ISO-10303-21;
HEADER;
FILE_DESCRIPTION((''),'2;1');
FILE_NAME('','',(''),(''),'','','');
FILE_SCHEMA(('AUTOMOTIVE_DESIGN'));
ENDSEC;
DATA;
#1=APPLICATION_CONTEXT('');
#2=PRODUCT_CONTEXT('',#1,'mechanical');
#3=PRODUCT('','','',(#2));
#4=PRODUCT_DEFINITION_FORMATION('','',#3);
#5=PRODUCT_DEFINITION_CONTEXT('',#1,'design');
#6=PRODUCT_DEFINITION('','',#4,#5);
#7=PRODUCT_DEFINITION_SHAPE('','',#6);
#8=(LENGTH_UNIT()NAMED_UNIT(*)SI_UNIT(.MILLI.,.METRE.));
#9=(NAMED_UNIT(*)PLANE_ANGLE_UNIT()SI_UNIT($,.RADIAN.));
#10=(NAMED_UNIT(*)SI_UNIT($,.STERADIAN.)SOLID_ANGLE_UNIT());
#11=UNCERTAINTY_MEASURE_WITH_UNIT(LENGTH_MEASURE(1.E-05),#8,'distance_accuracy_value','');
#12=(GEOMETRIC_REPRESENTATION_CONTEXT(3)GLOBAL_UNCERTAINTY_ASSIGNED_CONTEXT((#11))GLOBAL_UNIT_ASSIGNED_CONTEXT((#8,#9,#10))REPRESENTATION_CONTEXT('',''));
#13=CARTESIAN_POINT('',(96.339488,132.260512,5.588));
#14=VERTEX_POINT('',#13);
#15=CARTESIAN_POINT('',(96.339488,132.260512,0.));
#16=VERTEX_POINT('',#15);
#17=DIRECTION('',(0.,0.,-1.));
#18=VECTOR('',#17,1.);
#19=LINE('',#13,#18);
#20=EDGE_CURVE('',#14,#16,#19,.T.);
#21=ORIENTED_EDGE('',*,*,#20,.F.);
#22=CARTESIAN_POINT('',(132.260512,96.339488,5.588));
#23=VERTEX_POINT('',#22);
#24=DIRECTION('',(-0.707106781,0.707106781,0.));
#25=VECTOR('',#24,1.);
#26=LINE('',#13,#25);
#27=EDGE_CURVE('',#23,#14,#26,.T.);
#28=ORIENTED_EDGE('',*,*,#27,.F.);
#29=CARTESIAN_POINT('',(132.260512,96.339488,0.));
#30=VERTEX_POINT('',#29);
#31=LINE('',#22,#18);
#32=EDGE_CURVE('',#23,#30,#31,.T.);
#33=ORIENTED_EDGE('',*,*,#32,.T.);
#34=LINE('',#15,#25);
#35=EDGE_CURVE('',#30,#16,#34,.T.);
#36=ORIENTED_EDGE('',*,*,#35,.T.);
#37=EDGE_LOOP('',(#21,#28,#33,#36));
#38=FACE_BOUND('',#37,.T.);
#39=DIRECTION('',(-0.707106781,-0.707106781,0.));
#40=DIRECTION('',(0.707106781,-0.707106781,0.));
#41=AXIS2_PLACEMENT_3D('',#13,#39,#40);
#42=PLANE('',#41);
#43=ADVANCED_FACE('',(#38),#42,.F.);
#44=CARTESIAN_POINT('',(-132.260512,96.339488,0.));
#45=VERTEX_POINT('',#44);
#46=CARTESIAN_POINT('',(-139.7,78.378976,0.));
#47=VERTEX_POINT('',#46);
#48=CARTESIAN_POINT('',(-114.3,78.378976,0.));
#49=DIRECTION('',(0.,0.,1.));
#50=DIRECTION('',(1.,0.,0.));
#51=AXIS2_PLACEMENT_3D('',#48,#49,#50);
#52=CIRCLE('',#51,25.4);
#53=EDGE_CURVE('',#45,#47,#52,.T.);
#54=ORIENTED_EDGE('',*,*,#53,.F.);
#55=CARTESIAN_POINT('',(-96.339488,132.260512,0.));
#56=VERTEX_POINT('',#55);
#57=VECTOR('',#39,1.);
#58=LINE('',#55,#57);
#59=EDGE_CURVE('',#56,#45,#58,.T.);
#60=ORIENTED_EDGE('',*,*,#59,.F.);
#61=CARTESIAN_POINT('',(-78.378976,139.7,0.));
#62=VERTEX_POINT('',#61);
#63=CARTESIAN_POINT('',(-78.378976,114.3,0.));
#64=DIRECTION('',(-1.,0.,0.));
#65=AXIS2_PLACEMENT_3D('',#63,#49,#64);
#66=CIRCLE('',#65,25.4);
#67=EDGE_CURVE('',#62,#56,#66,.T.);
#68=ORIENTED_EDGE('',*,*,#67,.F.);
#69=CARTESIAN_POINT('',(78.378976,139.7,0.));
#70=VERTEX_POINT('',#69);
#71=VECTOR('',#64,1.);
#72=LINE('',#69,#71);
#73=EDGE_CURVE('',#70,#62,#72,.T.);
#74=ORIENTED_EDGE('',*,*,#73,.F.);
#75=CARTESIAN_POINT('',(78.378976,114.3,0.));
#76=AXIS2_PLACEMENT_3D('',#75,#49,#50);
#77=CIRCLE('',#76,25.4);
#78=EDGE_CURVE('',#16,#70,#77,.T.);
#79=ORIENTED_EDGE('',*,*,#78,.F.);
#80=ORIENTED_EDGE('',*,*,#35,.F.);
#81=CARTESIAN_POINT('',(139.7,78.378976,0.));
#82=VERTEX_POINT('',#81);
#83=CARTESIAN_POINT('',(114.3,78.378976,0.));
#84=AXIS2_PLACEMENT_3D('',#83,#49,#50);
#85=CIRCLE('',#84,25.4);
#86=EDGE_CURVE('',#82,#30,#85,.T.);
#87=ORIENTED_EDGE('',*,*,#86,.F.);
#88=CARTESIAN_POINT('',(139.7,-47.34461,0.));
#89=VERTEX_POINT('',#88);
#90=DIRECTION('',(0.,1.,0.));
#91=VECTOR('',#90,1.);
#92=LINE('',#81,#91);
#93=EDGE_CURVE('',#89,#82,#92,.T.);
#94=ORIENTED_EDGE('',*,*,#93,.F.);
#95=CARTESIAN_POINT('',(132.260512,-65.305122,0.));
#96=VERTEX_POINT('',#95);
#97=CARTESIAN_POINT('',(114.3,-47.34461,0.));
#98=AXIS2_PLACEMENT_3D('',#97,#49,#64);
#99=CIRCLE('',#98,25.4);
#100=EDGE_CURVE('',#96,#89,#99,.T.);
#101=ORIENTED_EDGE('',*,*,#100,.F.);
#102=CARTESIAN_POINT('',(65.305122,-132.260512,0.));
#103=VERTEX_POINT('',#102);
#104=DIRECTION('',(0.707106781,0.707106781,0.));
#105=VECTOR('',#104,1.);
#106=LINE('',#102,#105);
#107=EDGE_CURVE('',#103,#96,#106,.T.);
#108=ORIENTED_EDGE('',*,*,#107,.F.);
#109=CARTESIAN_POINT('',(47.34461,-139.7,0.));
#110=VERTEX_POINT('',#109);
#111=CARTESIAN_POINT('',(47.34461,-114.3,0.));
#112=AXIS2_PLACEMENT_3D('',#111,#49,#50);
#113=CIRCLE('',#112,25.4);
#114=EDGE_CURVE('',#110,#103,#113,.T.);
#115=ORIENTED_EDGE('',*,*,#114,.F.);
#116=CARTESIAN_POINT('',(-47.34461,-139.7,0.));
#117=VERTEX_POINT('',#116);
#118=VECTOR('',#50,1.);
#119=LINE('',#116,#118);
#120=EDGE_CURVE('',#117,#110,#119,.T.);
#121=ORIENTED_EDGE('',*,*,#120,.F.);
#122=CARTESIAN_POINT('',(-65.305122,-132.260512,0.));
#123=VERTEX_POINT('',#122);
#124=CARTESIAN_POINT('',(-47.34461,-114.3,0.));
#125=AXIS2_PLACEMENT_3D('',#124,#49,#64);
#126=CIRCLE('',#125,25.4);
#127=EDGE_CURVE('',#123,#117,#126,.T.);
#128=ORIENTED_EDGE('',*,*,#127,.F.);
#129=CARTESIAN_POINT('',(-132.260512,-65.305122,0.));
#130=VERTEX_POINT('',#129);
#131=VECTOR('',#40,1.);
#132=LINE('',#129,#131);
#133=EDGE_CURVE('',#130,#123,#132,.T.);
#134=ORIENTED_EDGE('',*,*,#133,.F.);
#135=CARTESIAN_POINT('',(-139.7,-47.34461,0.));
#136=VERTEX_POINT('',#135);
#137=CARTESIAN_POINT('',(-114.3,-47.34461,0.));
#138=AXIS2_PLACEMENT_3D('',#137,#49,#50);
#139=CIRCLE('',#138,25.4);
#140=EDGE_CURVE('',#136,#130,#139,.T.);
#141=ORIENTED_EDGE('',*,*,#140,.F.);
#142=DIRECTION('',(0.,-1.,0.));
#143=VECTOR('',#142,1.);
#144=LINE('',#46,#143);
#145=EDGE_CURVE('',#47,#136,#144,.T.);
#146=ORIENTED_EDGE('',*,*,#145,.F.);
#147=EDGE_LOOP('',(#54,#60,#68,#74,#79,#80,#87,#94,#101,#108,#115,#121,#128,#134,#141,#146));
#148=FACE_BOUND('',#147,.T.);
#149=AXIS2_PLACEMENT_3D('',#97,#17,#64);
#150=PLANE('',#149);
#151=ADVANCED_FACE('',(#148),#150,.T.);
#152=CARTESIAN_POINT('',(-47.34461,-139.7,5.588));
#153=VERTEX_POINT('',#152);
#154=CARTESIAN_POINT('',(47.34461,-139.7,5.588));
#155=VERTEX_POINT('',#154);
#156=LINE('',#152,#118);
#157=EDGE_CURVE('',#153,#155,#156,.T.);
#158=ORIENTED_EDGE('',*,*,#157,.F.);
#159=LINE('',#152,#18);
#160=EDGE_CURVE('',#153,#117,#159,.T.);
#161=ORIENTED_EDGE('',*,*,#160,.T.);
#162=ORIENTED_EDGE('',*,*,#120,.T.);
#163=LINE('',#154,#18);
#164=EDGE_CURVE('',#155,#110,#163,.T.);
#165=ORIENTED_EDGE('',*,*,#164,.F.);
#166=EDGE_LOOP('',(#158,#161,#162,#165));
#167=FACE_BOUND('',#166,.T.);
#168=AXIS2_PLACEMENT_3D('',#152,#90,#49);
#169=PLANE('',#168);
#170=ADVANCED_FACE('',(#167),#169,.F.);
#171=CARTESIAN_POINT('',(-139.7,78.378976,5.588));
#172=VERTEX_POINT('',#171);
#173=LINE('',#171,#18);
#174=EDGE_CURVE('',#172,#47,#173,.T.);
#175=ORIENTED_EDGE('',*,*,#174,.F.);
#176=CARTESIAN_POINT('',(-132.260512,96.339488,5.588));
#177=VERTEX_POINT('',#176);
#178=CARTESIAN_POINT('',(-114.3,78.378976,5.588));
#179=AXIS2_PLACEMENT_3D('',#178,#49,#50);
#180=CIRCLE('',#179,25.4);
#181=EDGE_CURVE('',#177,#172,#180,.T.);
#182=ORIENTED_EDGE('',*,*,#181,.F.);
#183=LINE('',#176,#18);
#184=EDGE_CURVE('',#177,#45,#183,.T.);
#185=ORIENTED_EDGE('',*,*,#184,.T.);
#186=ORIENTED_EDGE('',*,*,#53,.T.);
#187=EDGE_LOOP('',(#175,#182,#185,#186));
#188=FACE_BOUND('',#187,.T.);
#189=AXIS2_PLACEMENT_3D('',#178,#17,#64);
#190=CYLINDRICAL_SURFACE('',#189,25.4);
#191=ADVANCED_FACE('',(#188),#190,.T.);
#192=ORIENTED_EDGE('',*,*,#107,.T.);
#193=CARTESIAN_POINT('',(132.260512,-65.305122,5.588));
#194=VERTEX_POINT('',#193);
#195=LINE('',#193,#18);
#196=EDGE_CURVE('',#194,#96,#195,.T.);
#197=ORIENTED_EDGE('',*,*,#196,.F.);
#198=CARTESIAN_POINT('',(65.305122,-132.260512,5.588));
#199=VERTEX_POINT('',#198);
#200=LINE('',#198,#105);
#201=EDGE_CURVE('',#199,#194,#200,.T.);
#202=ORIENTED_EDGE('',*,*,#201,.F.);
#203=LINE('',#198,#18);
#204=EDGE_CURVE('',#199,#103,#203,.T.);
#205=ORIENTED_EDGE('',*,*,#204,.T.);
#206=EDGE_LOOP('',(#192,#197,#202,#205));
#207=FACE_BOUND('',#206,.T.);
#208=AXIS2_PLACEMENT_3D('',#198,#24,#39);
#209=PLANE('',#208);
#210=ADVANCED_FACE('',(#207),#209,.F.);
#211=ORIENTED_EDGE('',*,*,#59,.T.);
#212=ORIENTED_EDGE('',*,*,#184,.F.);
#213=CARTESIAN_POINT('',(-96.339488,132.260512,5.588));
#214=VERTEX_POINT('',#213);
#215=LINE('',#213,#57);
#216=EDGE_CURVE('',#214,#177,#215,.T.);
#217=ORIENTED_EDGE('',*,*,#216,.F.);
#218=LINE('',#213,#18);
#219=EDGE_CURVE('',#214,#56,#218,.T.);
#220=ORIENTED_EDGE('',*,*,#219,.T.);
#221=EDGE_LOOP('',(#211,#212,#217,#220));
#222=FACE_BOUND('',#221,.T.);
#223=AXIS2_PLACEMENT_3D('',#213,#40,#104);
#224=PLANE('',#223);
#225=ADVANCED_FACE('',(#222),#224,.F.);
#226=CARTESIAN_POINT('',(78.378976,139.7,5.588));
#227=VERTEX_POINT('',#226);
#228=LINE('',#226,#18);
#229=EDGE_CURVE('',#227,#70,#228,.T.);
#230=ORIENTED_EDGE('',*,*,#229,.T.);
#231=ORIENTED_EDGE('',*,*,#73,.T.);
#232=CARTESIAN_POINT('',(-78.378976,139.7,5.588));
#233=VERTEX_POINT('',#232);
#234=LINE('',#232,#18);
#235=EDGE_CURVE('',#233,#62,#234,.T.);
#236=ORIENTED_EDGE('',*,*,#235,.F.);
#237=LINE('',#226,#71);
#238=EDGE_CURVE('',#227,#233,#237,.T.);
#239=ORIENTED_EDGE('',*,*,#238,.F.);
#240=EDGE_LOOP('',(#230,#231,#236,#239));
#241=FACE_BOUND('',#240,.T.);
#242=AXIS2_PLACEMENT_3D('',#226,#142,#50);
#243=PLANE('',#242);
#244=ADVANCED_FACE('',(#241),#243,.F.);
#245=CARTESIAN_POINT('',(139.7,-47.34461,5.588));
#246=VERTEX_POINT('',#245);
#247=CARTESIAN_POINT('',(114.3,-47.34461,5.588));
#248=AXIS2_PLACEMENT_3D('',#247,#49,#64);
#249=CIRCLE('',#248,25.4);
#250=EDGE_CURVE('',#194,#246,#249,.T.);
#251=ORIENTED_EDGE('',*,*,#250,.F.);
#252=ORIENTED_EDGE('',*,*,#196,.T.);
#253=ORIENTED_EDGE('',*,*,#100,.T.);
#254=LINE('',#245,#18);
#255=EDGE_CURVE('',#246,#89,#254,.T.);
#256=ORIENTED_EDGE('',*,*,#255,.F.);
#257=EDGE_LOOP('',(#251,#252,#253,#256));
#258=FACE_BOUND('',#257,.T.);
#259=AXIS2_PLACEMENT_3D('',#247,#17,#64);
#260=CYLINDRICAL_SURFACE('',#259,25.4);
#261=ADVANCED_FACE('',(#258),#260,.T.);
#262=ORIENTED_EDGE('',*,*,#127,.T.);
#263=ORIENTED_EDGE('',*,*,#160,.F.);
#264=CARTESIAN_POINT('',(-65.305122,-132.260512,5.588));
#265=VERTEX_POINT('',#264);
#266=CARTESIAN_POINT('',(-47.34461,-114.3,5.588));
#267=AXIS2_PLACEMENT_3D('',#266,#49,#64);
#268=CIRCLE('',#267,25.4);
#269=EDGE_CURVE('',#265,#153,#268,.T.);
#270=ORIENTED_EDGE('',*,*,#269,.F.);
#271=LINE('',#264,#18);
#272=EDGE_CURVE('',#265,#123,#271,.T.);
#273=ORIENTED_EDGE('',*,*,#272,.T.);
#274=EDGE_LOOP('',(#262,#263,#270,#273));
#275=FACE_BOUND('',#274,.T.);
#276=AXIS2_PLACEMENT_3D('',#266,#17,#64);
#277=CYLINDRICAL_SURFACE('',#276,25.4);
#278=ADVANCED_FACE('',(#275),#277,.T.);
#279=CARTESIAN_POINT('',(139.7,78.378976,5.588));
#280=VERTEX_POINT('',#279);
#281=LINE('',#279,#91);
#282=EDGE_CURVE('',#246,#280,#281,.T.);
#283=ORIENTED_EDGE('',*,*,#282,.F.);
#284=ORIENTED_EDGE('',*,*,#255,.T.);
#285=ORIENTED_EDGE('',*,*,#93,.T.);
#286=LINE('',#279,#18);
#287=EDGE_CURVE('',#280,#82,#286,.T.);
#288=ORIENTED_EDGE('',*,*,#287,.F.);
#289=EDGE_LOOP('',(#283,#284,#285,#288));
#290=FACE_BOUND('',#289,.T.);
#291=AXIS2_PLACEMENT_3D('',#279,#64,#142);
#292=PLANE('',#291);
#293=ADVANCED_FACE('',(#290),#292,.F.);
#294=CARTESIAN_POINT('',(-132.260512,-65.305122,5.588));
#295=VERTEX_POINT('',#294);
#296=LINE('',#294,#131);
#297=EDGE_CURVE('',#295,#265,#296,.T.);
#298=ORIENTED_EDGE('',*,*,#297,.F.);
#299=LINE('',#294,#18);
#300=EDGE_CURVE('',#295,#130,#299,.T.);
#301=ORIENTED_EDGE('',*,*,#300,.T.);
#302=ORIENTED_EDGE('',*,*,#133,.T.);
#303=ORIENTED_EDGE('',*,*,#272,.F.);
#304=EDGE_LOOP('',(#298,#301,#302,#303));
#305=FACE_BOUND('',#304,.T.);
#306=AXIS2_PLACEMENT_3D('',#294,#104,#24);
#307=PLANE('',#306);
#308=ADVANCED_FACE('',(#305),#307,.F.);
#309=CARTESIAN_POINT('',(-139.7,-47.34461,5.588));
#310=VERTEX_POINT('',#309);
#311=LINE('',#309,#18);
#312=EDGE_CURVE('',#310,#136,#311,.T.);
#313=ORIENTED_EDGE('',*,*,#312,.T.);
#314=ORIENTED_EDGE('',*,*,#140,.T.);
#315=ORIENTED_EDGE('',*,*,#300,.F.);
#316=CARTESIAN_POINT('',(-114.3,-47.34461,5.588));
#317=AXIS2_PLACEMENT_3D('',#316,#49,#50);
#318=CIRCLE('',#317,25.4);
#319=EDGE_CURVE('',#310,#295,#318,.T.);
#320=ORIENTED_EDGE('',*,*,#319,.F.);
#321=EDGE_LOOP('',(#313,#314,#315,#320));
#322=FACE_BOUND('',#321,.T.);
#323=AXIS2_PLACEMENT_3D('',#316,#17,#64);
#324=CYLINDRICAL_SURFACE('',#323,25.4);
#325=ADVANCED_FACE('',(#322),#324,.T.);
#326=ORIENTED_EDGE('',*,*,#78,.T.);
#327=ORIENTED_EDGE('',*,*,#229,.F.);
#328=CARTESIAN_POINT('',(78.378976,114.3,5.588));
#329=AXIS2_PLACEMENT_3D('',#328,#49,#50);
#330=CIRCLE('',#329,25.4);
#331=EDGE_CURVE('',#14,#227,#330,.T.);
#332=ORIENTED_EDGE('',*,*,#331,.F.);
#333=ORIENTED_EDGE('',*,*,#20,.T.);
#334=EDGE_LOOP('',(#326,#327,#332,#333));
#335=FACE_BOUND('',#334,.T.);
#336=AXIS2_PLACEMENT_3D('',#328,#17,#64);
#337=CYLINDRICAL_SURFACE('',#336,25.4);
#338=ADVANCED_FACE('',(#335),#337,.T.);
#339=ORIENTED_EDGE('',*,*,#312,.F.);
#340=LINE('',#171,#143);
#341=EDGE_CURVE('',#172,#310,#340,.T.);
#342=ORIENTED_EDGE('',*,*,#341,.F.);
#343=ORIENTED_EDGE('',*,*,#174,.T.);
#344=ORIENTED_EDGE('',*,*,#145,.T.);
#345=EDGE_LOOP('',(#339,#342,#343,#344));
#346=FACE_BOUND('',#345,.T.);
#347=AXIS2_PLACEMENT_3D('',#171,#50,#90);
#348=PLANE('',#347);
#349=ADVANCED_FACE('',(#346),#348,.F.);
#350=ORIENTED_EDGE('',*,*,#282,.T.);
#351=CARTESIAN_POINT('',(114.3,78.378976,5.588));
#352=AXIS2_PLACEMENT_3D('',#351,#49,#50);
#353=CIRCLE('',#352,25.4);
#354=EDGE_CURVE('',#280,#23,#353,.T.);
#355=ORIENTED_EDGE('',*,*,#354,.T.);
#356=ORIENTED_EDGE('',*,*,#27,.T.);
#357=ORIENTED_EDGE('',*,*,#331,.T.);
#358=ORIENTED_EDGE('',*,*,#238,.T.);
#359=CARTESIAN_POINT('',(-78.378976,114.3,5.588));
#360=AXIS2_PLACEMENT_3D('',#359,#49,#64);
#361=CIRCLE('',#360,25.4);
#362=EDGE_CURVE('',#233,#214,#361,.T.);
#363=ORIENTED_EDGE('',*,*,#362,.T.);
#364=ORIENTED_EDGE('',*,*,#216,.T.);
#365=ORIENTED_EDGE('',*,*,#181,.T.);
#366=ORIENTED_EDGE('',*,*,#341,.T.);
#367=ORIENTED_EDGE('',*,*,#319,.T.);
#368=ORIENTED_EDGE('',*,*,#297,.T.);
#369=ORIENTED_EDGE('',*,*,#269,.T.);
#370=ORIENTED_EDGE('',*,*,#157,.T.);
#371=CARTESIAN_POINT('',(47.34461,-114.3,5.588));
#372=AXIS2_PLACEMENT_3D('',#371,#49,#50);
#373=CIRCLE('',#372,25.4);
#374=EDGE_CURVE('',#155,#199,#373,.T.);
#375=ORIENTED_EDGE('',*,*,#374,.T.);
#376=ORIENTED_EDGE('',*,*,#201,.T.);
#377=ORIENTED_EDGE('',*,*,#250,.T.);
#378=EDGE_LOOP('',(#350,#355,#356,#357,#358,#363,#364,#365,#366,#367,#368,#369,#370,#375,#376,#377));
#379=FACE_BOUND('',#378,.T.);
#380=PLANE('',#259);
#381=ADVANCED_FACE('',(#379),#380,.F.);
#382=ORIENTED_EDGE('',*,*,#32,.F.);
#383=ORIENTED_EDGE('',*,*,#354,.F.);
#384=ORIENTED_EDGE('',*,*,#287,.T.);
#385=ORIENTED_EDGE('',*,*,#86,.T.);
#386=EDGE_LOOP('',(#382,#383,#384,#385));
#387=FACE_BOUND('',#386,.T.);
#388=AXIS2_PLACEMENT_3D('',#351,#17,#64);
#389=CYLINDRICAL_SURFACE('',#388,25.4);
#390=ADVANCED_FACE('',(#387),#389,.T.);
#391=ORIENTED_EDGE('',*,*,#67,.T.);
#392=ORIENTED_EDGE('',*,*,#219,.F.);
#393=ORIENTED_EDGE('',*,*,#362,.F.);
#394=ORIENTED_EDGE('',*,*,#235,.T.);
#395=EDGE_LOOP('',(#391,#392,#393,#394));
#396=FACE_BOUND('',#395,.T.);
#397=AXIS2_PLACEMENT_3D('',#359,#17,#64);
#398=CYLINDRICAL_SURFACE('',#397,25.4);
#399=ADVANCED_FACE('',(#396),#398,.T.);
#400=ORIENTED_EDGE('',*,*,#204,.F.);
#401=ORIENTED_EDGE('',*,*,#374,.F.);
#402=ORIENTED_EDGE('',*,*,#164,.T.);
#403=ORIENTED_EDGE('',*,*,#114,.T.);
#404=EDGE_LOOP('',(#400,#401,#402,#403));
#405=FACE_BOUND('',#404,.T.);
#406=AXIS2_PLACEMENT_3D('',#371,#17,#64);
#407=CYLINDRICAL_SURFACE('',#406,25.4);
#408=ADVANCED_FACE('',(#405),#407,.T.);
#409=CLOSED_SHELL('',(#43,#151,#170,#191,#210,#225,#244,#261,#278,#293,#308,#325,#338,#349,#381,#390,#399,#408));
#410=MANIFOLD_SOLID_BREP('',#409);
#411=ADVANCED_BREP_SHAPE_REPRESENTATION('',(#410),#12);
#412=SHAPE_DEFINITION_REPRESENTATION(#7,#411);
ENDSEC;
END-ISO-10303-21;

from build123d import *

# Parameters (mm, degrees)
BOSS_EXTRUDE1_DEPTH = 5.588


with BuildPart() as part:
    # Sketch1 → Boss-Extrude1 (new body)
    with BuildSketch(Plane.XY):
        with BuildLine():
            Line((65.305122421, -132.260512242), (132.260512242, -65.305122421))
            ThreePointArc((132.260512242, -65.305122421), (137.766540126, -57.064769361), (139.7, -47.344610179))
            Line((139.7, -47.344610179), (139.7, 78.378975516))
            ThreePointArc((139.7, 78.378975516), (137.766540126, 88.099134698), (132.260512242, 96.339487758))
            Line((132.260512242, 96.339487758), (96.339487758, 132.260512242))
            ThreePointArc((96.339487758, 132.260512242), (88.099134698, 137.766540126), (78.378975516, 139.7))
            Line((78.378975516, 139.7), (-78.378975516, 139.7))
            ThreePointArc((-78.378975516, 139.7), (-88.099134698, 137.766540126), (-96.339487758, 132.260512242))
            Line((-96.339487758, 132.260512242), (-132.260512242, 96.339487758))
            ThreePointArc((-132.260512242, 96.339487758), (-137.766540126, 88.099134698), (-139.7, 78.378975516))
            Line((-139.7, 78.378975516), (-139.7, -47.344610179))
            ThreePointArc((-139.7, -47.344610179), (-137.766540126, -57.064769361), (-132.260512242, -65.305122421))
            Line((-132.260512242, -65.305122421), (-65.305122421, -132.260512242))
            ThreePointArc((-65.305122421, -132.260512242), (-57.064769361, -137.766540126), (-47.344610179, -139.7))
            Line((-47.344610179, -139.7), (47.344610179, -139.7))
            ThreePointArc((47.344610179, -139.7), (57.064769361, -137.766540126), (65.305122421, -132.260512242))
        make_face()
    extrude(amount=BOSS_EXTRUDE1_DEPTH)


solid = part.part
